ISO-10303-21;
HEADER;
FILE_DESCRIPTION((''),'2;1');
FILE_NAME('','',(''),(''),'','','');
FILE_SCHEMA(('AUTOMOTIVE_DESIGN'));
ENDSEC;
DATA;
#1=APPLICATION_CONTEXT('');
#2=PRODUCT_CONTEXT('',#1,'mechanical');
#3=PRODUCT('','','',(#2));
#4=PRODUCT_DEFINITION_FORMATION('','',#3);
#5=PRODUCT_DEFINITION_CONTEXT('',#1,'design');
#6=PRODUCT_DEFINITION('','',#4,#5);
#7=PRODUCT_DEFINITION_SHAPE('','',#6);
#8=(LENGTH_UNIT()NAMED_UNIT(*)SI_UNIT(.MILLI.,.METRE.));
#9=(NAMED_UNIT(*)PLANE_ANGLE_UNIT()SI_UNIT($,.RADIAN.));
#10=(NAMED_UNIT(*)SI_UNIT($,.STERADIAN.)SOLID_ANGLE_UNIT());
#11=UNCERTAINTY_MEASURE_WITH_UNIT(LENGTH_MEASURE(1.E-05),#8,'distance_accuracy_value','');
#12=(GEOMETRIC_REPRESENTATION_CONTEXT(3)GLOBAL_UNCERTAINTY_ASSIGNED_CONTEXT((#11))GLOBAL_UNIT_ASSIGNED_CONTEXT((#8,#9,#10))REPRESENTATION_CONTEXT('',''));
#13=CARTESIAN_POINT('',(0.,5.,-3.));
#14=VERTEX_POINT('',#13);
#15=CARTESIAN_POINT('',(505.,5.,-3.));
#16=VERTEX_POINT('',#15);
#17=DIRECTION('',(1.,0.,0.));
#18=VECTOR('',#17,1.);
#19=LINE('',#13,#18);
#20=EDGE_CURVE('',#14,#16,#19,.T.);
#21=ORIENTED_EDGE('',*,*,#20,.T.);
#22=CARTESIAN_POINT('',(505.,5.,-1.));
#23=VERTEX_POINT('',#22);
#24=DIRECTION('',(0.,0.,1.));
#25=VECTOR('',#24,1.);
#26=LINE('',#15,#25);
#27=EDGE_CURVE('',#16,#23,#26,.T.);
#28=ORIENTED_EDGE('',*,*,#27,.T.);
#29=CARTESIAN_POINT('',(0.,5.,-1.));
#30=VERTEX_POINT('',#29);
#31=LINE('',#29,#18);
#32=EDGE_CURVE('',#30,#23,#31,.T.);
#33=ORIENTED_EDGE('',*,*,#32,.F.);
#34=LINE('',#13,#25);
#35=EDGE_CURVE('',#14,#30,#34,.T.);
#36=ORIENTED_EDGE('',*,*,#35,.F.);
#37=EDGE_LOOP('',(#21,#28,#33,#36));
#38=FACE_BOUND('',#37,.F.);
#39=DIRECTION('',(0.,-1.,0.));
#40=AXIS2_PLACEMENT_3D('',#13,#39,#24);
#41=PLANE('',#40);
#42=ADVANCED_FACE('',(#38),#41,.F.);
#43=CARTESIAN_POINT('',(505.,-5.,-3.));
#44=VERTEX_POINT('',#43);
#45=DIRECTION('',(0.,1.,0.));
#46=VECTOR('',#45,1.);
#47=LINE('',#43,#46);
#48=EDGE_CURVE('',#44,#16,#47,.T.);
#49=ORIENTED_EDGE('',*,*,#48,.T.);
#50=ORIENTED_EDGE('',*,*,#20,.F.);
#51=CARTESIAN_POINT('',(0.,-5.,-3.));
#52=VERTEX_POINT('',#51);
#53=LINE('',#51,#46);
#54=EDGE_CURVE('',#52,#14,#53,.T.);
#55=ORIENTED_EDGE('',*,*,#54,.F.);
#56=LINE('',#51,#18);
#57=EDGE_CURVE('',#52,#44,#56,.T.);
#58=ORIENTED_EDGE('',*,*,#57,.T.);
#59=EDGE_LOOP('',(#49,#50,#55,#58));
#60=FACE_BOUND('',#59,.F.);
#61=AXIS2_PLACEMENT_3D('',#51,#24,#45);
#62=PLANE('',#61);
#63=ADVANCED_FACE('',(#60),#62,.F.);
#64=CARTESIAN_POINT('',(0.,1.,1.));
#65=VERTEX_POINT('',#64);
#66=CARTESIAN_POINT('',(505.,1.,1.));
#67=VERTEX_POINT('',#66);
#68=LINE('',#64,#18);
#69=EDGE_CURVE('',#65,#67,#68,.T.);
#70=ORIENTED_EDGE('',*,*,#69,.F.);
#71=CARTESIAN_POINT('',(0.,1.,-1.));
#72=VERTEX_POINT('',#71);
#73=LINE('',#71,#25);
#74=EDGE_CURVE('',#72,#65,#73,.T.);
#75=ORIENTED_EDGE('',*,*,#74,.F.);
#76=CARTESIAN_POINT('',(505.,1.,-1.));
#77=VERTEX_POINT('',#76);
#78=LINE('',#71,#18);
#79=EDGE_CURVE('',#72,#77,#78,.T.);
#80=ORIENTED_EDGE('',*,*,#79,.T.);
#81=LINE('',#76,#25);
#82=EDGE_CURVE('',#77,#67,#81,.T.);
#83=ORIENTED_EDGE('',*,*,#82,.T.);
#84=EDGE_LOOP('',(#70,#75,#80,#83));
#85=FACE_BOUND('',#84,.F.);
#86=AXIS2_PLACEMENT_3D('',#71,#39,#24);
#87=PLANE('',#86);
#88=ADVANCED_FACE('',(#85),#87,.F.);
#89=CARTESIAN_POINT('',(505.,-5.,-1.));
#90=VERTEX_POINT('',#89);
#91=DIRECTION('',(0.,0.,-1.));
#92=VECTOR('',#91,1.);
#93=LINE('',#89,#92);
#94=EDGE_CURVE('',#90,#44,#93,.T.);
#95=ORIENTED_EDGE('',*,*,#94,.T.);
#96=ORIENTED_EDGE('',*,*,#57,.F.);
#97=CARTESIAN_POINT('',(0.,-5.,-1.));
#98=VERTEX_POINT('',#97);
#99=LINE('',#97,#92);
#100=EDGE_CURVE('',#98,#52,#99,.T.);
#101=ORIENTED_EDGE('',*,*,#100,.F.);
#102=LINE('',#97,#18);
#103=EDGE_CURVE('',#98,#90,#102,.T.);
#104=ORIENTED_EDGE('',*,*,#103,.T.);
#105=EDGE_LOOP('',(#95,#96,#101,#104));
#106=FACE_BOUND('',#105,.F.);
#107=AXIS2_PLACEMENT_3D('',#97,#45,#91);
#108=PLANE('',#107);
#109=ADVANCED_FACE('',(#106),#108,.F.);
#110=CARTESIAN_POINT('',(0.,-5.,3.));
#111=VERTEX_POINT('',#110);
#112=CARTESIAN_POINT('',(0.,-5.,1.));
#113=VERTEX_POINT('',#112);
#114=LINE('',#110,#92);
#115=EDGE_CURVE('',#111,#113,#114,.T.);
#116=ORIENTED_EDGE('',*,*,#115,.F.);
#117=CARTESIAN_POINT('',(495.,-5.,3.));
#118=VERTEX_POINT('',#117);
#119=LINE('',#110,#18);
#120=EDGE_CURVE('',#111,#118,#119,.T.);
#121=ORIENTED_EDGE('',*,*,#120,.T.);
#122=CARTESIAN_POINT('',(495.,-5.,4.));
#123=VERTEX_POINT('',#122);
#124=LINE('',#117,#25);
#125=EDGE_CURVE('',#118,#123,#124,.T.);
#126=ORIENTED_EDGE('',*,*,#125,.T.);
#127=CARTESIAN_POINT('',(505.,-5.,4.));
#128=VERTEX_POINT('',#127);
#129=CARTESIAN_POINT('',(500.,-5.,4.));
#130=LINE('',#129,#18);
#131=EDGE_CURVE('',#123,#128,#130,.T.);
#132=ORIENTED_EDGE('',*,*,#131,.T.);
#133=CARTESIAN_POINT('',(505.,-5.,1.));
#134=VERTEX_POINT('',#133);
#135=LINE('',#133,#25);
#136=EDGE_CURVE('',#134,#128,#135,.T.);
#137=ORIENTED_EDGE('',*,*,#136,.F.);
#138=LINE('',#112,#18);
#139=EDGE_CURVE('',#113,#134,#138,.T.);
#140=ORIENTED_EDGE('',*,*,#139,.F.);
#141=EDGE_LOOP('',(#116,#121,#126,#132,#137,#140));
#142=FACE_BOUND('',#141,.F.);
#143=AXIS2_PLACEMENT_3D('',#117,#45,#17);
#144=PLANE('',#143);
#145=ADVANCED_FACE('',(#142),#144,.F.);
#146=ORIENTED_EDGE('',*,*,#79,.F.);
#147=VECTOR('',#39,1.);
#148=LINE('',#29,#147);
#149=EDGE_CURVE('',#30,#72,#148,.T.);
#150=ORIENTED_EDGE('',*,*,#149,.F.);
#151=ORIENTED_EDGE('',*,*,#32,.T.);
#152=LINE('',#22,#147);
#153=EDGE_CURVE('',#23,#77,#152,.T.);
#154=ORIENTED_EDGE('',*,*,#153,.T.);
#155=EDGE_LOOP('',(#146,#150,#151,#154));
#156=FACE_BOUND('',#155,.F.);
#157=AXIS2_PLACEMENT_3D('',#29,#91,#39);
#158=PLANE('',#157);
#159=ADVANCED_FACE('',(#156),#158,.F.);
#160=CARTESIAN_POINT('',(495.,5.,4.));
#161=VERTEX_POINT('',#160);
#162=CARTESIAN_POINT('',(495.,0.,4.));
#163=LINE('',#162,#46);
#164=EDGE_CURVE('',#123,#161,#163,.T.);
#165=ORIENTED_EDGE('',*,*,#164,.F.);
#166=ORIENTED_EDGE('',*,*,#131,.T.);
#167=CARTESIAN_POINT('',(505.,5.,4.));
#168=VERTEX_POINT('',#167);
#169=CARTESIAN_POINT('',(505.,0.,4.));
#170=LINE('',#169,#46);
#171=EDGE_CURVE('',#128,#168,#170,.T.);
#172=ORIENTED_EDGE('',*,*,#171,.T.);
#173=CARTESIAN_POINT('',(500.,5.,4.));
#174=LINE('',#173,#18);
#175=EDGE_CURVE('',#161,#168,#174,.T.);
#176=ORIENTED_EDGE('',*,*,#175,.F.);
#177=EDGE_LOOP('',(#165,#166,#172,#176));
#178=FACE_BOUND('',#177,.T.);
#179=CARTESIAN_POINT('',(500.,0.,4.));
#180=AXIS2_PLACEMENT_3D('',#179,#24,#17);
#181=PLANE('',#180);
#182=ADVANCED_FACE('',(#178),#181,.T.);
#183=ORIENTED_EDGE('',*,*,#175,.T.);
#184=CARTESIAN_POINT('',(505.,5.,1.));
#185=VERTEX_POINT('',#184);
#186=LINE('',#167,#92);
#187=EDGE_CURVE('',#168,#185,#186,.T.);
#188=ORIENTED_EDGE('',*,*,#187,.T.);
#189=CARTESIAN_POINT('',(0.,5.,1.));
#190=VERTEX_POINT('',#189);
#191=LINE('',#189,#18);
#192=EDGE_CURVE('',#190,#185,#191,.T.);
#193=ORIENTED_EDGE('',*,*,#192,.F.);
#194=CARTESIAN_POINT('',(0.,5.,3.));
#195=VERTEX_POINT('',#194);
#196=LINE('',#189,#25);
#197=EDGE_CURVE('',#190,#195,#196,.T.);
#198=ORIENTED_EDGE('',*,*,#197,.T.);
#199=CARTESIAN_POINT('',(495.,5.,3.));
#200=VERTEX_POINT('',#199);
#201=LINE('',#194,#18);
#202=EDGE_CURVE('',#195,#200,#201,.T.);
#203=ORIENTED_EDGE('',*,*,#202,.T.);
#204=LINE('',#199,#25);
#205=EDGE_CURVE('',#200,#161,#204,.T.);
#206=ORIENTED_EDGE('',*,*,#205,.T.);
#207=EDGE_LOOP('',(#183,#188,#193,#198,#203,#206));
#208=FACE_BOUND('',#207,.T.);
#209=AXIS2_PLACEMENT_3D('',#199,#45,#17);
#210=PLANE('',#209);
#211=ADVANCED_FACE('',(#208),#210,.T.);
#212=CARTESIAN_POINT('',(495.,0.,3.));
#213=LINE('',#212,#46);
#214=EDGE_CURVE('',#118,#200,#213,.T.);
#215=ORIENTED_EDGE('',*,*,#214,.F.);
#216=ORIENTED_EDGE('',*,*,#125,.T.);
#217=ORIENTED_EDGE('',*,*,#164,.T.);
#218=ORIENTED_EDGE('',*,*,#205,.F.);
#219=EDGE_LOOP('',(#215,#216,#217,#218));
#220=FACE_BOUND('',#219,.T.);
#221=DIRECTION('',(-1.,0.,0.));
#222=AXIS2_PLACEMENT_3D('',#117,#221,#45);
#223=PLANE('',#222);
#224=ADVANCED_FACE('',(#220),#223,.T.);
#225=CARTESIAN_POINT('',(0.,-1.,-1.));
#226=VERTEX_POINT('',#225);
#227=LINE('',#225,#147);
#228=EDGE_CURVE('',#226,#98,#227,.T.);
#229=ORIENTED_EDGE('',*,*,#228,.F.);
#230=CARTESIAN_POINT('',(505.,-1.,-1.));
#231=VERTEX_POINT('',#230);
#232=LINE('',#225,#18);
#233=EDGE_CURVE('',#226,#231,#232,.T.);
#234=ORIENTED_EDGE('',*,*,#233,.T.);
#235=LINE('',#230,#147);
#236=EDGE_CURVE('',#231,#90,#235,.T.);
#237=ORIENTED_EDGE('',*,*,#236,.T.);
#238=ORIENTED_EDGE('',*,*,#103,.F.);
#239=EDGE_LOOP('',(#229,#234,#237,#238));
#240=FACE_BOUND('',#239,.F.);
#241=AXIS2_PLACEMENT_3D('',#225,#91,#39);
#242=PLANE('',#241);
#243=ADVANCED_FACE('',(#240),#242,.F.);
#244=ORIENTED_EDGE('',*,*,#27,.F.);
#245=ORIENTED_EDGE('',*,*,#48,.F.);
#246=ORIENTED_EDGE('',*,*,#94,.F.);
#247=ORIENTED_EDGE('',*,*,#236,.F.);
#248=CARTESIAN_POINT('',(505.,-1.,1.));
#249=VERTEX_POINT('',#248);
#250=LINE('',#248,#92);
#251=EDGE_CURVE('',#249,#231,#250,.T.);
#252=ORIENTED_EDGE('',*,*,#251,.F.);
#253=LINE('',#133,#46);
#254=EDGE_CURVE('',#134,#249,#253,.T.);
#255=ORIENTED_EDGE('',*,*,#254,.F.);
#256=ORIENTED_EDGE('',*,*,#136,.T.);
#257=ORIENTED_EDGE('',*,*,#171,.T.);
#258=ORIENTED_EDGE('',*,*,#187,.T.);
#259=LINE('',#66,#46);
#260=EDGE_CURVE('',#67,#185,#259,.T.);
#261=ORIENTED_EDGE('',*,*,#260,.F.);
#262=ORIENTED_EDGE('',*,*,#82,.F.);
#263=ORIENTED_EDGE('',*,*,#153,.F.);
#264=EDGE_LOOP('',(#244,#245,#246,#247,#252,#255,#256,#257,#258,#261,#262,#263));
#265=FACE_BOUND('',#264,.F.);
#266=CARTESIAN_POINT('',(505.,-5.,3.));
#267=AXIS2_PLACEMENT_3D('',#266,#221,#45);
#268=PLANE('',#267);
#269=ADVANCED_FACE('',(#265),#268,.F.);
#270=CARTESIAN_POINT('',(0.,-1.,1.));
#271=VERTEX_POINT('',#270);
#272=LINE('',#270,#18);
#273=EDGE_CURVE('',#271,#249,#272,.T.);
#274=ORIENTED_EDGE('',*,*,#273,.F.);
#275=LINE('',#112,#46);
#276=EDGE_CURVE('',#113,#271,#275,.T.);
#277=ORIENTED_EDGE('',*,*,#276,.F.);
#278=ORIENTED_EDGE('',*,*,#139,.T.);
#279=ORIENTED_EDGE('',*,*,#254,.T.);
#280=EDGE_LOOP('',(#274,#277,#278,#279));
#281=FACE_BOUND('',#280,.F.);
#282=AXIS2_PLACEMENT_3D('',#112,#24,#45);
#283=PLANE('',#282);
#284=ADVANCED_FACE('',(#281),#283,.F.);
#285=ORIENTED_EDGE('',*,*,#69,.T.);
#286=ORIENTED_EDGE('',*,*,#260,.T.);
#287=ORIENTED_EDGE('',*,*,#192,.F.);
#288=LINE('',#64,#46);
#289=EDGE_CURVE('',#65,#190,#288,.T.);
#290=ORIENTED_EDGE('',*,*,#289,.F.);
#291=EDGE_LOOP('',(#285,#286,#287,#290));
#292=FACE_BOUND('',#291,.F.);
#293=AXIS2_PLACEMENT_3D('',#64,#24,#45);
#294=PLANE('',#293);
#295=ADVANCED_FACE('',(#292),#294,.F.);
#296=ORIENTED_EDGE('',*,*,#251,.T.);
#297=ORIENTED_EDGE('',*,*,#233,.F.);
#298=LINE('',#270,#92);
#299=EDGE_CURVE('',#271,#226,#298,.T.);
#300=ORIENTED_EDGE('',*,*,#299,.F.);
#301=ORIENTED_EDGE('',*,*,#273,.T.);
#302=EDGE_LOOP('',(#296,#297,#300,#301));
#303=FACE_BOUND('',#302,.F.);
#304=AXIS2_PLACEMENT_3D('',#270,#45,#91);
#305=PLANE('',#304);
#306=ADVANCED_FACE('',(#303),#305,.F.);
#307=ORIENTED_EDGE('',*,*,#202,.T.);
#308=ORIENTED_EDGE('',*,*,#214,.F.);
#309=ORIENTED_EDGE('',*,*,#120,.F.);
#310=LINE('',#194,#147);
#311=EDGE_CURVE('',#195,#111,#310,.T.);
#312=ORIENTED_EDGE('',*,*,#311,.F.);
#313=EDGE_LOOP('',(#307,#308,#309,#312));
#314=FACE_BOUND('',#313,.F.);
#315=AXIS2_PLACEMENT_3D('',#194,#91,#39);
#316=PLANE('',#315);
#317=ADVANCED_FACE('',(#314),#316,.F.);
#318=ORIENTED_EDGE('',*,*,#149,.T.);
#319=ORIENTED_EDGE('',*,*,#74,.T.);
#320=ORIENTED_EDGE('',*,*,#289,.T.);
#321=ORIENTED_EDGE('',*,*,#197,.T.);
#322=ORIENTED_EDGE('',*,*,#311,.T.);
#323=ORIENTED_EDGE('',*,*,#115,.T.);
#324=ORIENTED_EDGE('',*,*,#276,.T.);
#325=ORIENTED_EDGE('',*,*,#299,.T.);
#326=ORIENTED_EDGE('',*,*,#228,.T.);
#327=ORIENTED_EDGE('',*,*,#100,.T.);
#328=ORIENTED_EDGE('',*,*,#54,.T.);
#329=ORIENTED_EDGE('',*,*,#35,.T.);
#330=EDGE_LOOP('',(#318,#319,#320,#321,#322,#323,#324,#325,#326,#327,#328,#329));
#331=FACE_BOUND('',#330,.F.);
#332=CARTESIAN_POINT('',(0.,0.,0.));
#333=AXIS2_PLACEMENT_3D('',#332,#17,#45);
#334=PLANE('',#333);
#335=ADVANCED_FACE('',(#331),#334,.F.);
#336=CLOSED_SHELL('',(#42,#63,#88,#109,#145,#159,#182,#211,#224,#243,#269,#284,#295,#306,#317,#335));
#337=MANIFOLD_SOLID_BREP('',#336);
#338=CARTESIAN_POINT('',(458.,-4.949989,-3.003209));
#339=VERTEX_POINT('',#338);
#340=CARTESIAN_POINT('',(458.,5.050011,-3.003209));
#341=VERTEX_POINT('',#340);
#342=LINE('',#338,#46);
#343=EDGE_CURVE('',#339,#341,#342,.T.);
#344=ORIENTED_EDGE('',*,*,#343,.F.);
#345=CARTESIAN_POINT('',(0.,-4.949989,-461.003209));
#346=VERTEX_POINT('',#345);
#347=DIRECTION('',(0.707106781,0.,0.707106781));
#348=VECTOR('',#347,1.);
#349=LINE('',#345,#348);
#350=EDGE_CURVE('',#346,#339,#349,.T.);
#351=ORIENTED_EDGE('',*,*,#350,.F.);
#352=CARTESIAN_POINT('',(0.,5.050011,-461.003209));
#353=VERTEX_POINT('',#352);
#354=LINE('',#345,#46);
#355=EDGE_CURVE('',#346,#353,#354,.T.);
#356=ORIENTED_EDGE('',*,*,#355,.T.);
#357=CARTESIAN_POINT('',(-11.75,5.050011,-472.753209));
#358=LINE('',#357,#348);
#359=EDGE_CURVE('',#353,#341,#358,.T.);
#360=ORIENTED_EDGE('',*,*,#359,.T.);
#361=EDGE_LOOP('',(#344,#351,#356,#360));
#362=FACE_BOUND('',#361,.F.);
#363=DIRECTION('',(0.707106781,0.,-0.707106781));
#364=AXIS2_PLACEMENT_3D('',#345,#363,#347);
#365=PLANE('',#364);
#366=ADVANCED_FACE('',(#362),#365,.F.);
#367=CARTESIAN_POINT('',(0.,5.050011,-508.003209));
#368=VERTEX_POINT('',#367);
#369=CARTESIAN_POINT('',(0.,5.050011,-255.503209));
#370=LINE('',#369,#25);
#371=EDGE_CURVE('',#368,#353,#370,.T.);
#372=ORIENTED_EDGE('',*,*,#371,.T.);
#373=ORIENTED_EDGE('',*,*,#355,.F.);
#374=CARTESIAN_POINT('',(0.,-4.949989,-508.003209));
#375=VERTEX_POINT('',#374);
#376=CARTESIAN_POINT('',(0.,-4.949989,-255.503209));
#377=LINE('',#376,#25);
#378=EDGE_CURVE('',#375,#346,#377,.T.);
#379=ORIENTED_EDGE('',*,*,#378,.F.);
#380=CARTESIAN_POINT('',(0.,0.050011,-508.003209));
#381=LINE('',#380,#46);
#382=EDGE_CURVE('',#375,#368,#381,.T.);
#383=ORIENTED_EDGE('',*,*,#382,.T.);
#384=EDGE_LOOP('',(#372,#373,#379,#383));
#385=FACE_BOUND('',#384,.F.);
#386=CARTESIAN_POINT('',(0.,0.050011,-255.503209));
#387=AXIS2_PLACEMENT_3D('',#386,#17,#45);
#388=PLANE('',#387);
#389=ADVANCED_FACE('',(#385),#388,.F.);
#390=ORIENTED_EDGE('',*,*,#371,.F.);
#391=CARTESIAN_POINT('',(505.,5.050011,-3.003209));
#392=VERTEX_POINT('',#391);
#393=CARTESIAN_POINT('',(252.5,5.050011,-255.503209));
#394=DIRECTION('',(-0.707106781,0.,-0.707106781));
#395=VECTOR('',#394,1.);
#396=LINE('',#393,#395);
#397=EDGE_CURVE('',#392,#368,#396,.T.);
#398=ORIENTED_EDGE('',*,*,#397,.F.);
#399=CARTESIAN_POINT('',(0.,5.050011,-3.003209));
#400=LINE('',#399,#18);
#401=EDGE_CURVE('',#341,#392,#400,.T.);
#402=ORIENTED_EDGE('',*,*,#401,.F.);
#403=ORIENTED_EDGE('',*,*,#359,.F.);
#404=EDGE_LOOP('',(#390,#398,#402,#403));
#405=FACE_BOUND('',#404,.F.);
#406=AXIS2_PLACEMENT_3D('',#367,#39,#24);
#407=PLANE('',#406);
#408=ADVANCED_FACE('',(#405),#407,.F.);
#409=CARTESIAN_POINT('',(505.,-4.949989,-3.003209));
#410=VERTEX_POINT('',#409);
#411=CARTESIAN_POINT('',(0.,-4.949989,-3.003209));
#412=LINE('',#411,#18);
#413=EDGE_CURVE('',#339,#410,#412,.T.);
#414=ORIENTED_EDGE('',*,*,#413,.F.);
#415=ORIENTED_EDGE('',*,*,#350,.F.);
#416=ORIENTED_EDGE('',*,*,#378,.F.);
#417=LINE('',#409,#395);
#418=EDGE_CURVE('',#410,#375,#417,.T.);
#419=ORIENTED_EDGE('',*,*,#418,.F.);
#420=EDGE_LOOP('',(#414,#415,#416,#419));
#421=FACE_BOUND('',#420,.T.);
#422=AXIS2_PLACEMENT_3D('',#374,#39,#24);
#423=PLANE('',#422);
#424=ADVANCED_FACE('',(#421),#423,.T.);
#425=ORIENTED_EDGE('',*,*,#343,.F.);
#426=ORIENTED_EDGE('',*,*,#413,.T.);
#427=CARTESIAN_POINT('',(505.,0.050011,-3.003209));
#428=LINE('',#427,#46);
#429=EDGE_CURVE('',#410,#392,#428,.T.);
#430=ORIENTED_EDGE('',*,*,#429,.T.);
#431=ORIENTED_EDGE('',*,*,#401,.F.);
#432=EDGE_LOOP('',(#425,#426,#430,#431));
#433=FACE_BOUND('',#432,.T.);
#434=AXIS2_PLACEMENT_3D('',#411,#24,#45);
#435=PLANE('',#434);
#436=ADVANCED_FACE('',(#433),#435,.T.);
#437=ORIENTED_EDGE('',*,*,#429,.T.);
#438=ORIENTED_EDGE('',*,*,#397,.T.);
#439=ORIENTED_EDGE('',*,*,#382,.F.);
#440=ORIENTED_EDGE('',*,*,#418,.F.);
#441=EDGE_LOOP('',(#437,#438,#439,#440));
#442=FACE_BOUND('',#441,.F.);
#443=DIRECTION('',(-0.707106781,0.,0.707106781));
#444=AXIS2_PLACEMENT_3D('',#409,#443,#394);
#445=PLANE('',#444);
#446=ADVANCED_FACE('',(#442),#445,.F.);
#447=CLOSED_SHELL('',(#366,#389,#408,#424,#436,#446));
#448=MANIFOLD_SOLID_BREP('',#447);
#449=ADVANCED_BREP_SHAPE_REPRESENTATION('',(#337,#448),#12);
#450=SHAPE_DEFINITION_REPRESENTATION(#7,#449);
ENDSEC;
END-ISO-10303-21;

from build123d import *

# Parameters (mm, degrees)
F1_DEPTH = 505
F2_W     = 10
F2_H     = 10
F3_DEPTH = 1
F4_W     = 10
F4_H     = 505
F5_DEPTH = 505
F7_DEPTH = 10.001
F9_DEPTH = 10.001


with BuildPart() as f1:
    # F0 (on Right) → F1 (new body)
    with BuildSketch(Plane.YZ):
        Polygon((-1, 1), (-1, 0), (-1, -1), (-5, -1), (-5, -3), (0, -3), (5, -3), (5, -1), (1, -1), (1, 0), (1, 1), (5, 1), (5, 3), (0, 3), (-5, 3), (-5, 1), align=None)
    extrude(amount=F1_DEPTH)

    # F2 (on face) → F3 (join)
    with BuildSketch(Plane.XY.offset(3)):
        with Locations((500, 0)):
            Rectangle(F2_W, F2_H)
    extrude(amount=F3_DEPTH)


with BuildPart() as f5:
    # F4 (on Right) → F5 (new body)
    with BuildSketch(Plane.YZ):
        with Locations((0.050011, -255.503209)):
            Rectangle(F4_W, F4_H)
    extrude(amount=F5_DEPTH)

    # F6 (on face) → F7 (cut, through all)
    with BuildSketch(Plane.XZ.offset(4.949989)):
        Polygon((458, -3.003209), (0, -3.003209), (0, -461.003209), align=None)
    extrude(amount=-F7_DEPTH, mode=Mode.SUBTRACT)

    # F8 (on face) → F9 (cut, through all)
    with BuildSketch(Plane.XZ.offset(4.949989)):
        Polygon((505, -3.003209), (0, -508.003209), (505, -508.003209), align=None)
    extrude(amount=-F9_DEPTH, mode=Mode.SUBTRACT)


solid = Compound([f1.part, f5.part])
